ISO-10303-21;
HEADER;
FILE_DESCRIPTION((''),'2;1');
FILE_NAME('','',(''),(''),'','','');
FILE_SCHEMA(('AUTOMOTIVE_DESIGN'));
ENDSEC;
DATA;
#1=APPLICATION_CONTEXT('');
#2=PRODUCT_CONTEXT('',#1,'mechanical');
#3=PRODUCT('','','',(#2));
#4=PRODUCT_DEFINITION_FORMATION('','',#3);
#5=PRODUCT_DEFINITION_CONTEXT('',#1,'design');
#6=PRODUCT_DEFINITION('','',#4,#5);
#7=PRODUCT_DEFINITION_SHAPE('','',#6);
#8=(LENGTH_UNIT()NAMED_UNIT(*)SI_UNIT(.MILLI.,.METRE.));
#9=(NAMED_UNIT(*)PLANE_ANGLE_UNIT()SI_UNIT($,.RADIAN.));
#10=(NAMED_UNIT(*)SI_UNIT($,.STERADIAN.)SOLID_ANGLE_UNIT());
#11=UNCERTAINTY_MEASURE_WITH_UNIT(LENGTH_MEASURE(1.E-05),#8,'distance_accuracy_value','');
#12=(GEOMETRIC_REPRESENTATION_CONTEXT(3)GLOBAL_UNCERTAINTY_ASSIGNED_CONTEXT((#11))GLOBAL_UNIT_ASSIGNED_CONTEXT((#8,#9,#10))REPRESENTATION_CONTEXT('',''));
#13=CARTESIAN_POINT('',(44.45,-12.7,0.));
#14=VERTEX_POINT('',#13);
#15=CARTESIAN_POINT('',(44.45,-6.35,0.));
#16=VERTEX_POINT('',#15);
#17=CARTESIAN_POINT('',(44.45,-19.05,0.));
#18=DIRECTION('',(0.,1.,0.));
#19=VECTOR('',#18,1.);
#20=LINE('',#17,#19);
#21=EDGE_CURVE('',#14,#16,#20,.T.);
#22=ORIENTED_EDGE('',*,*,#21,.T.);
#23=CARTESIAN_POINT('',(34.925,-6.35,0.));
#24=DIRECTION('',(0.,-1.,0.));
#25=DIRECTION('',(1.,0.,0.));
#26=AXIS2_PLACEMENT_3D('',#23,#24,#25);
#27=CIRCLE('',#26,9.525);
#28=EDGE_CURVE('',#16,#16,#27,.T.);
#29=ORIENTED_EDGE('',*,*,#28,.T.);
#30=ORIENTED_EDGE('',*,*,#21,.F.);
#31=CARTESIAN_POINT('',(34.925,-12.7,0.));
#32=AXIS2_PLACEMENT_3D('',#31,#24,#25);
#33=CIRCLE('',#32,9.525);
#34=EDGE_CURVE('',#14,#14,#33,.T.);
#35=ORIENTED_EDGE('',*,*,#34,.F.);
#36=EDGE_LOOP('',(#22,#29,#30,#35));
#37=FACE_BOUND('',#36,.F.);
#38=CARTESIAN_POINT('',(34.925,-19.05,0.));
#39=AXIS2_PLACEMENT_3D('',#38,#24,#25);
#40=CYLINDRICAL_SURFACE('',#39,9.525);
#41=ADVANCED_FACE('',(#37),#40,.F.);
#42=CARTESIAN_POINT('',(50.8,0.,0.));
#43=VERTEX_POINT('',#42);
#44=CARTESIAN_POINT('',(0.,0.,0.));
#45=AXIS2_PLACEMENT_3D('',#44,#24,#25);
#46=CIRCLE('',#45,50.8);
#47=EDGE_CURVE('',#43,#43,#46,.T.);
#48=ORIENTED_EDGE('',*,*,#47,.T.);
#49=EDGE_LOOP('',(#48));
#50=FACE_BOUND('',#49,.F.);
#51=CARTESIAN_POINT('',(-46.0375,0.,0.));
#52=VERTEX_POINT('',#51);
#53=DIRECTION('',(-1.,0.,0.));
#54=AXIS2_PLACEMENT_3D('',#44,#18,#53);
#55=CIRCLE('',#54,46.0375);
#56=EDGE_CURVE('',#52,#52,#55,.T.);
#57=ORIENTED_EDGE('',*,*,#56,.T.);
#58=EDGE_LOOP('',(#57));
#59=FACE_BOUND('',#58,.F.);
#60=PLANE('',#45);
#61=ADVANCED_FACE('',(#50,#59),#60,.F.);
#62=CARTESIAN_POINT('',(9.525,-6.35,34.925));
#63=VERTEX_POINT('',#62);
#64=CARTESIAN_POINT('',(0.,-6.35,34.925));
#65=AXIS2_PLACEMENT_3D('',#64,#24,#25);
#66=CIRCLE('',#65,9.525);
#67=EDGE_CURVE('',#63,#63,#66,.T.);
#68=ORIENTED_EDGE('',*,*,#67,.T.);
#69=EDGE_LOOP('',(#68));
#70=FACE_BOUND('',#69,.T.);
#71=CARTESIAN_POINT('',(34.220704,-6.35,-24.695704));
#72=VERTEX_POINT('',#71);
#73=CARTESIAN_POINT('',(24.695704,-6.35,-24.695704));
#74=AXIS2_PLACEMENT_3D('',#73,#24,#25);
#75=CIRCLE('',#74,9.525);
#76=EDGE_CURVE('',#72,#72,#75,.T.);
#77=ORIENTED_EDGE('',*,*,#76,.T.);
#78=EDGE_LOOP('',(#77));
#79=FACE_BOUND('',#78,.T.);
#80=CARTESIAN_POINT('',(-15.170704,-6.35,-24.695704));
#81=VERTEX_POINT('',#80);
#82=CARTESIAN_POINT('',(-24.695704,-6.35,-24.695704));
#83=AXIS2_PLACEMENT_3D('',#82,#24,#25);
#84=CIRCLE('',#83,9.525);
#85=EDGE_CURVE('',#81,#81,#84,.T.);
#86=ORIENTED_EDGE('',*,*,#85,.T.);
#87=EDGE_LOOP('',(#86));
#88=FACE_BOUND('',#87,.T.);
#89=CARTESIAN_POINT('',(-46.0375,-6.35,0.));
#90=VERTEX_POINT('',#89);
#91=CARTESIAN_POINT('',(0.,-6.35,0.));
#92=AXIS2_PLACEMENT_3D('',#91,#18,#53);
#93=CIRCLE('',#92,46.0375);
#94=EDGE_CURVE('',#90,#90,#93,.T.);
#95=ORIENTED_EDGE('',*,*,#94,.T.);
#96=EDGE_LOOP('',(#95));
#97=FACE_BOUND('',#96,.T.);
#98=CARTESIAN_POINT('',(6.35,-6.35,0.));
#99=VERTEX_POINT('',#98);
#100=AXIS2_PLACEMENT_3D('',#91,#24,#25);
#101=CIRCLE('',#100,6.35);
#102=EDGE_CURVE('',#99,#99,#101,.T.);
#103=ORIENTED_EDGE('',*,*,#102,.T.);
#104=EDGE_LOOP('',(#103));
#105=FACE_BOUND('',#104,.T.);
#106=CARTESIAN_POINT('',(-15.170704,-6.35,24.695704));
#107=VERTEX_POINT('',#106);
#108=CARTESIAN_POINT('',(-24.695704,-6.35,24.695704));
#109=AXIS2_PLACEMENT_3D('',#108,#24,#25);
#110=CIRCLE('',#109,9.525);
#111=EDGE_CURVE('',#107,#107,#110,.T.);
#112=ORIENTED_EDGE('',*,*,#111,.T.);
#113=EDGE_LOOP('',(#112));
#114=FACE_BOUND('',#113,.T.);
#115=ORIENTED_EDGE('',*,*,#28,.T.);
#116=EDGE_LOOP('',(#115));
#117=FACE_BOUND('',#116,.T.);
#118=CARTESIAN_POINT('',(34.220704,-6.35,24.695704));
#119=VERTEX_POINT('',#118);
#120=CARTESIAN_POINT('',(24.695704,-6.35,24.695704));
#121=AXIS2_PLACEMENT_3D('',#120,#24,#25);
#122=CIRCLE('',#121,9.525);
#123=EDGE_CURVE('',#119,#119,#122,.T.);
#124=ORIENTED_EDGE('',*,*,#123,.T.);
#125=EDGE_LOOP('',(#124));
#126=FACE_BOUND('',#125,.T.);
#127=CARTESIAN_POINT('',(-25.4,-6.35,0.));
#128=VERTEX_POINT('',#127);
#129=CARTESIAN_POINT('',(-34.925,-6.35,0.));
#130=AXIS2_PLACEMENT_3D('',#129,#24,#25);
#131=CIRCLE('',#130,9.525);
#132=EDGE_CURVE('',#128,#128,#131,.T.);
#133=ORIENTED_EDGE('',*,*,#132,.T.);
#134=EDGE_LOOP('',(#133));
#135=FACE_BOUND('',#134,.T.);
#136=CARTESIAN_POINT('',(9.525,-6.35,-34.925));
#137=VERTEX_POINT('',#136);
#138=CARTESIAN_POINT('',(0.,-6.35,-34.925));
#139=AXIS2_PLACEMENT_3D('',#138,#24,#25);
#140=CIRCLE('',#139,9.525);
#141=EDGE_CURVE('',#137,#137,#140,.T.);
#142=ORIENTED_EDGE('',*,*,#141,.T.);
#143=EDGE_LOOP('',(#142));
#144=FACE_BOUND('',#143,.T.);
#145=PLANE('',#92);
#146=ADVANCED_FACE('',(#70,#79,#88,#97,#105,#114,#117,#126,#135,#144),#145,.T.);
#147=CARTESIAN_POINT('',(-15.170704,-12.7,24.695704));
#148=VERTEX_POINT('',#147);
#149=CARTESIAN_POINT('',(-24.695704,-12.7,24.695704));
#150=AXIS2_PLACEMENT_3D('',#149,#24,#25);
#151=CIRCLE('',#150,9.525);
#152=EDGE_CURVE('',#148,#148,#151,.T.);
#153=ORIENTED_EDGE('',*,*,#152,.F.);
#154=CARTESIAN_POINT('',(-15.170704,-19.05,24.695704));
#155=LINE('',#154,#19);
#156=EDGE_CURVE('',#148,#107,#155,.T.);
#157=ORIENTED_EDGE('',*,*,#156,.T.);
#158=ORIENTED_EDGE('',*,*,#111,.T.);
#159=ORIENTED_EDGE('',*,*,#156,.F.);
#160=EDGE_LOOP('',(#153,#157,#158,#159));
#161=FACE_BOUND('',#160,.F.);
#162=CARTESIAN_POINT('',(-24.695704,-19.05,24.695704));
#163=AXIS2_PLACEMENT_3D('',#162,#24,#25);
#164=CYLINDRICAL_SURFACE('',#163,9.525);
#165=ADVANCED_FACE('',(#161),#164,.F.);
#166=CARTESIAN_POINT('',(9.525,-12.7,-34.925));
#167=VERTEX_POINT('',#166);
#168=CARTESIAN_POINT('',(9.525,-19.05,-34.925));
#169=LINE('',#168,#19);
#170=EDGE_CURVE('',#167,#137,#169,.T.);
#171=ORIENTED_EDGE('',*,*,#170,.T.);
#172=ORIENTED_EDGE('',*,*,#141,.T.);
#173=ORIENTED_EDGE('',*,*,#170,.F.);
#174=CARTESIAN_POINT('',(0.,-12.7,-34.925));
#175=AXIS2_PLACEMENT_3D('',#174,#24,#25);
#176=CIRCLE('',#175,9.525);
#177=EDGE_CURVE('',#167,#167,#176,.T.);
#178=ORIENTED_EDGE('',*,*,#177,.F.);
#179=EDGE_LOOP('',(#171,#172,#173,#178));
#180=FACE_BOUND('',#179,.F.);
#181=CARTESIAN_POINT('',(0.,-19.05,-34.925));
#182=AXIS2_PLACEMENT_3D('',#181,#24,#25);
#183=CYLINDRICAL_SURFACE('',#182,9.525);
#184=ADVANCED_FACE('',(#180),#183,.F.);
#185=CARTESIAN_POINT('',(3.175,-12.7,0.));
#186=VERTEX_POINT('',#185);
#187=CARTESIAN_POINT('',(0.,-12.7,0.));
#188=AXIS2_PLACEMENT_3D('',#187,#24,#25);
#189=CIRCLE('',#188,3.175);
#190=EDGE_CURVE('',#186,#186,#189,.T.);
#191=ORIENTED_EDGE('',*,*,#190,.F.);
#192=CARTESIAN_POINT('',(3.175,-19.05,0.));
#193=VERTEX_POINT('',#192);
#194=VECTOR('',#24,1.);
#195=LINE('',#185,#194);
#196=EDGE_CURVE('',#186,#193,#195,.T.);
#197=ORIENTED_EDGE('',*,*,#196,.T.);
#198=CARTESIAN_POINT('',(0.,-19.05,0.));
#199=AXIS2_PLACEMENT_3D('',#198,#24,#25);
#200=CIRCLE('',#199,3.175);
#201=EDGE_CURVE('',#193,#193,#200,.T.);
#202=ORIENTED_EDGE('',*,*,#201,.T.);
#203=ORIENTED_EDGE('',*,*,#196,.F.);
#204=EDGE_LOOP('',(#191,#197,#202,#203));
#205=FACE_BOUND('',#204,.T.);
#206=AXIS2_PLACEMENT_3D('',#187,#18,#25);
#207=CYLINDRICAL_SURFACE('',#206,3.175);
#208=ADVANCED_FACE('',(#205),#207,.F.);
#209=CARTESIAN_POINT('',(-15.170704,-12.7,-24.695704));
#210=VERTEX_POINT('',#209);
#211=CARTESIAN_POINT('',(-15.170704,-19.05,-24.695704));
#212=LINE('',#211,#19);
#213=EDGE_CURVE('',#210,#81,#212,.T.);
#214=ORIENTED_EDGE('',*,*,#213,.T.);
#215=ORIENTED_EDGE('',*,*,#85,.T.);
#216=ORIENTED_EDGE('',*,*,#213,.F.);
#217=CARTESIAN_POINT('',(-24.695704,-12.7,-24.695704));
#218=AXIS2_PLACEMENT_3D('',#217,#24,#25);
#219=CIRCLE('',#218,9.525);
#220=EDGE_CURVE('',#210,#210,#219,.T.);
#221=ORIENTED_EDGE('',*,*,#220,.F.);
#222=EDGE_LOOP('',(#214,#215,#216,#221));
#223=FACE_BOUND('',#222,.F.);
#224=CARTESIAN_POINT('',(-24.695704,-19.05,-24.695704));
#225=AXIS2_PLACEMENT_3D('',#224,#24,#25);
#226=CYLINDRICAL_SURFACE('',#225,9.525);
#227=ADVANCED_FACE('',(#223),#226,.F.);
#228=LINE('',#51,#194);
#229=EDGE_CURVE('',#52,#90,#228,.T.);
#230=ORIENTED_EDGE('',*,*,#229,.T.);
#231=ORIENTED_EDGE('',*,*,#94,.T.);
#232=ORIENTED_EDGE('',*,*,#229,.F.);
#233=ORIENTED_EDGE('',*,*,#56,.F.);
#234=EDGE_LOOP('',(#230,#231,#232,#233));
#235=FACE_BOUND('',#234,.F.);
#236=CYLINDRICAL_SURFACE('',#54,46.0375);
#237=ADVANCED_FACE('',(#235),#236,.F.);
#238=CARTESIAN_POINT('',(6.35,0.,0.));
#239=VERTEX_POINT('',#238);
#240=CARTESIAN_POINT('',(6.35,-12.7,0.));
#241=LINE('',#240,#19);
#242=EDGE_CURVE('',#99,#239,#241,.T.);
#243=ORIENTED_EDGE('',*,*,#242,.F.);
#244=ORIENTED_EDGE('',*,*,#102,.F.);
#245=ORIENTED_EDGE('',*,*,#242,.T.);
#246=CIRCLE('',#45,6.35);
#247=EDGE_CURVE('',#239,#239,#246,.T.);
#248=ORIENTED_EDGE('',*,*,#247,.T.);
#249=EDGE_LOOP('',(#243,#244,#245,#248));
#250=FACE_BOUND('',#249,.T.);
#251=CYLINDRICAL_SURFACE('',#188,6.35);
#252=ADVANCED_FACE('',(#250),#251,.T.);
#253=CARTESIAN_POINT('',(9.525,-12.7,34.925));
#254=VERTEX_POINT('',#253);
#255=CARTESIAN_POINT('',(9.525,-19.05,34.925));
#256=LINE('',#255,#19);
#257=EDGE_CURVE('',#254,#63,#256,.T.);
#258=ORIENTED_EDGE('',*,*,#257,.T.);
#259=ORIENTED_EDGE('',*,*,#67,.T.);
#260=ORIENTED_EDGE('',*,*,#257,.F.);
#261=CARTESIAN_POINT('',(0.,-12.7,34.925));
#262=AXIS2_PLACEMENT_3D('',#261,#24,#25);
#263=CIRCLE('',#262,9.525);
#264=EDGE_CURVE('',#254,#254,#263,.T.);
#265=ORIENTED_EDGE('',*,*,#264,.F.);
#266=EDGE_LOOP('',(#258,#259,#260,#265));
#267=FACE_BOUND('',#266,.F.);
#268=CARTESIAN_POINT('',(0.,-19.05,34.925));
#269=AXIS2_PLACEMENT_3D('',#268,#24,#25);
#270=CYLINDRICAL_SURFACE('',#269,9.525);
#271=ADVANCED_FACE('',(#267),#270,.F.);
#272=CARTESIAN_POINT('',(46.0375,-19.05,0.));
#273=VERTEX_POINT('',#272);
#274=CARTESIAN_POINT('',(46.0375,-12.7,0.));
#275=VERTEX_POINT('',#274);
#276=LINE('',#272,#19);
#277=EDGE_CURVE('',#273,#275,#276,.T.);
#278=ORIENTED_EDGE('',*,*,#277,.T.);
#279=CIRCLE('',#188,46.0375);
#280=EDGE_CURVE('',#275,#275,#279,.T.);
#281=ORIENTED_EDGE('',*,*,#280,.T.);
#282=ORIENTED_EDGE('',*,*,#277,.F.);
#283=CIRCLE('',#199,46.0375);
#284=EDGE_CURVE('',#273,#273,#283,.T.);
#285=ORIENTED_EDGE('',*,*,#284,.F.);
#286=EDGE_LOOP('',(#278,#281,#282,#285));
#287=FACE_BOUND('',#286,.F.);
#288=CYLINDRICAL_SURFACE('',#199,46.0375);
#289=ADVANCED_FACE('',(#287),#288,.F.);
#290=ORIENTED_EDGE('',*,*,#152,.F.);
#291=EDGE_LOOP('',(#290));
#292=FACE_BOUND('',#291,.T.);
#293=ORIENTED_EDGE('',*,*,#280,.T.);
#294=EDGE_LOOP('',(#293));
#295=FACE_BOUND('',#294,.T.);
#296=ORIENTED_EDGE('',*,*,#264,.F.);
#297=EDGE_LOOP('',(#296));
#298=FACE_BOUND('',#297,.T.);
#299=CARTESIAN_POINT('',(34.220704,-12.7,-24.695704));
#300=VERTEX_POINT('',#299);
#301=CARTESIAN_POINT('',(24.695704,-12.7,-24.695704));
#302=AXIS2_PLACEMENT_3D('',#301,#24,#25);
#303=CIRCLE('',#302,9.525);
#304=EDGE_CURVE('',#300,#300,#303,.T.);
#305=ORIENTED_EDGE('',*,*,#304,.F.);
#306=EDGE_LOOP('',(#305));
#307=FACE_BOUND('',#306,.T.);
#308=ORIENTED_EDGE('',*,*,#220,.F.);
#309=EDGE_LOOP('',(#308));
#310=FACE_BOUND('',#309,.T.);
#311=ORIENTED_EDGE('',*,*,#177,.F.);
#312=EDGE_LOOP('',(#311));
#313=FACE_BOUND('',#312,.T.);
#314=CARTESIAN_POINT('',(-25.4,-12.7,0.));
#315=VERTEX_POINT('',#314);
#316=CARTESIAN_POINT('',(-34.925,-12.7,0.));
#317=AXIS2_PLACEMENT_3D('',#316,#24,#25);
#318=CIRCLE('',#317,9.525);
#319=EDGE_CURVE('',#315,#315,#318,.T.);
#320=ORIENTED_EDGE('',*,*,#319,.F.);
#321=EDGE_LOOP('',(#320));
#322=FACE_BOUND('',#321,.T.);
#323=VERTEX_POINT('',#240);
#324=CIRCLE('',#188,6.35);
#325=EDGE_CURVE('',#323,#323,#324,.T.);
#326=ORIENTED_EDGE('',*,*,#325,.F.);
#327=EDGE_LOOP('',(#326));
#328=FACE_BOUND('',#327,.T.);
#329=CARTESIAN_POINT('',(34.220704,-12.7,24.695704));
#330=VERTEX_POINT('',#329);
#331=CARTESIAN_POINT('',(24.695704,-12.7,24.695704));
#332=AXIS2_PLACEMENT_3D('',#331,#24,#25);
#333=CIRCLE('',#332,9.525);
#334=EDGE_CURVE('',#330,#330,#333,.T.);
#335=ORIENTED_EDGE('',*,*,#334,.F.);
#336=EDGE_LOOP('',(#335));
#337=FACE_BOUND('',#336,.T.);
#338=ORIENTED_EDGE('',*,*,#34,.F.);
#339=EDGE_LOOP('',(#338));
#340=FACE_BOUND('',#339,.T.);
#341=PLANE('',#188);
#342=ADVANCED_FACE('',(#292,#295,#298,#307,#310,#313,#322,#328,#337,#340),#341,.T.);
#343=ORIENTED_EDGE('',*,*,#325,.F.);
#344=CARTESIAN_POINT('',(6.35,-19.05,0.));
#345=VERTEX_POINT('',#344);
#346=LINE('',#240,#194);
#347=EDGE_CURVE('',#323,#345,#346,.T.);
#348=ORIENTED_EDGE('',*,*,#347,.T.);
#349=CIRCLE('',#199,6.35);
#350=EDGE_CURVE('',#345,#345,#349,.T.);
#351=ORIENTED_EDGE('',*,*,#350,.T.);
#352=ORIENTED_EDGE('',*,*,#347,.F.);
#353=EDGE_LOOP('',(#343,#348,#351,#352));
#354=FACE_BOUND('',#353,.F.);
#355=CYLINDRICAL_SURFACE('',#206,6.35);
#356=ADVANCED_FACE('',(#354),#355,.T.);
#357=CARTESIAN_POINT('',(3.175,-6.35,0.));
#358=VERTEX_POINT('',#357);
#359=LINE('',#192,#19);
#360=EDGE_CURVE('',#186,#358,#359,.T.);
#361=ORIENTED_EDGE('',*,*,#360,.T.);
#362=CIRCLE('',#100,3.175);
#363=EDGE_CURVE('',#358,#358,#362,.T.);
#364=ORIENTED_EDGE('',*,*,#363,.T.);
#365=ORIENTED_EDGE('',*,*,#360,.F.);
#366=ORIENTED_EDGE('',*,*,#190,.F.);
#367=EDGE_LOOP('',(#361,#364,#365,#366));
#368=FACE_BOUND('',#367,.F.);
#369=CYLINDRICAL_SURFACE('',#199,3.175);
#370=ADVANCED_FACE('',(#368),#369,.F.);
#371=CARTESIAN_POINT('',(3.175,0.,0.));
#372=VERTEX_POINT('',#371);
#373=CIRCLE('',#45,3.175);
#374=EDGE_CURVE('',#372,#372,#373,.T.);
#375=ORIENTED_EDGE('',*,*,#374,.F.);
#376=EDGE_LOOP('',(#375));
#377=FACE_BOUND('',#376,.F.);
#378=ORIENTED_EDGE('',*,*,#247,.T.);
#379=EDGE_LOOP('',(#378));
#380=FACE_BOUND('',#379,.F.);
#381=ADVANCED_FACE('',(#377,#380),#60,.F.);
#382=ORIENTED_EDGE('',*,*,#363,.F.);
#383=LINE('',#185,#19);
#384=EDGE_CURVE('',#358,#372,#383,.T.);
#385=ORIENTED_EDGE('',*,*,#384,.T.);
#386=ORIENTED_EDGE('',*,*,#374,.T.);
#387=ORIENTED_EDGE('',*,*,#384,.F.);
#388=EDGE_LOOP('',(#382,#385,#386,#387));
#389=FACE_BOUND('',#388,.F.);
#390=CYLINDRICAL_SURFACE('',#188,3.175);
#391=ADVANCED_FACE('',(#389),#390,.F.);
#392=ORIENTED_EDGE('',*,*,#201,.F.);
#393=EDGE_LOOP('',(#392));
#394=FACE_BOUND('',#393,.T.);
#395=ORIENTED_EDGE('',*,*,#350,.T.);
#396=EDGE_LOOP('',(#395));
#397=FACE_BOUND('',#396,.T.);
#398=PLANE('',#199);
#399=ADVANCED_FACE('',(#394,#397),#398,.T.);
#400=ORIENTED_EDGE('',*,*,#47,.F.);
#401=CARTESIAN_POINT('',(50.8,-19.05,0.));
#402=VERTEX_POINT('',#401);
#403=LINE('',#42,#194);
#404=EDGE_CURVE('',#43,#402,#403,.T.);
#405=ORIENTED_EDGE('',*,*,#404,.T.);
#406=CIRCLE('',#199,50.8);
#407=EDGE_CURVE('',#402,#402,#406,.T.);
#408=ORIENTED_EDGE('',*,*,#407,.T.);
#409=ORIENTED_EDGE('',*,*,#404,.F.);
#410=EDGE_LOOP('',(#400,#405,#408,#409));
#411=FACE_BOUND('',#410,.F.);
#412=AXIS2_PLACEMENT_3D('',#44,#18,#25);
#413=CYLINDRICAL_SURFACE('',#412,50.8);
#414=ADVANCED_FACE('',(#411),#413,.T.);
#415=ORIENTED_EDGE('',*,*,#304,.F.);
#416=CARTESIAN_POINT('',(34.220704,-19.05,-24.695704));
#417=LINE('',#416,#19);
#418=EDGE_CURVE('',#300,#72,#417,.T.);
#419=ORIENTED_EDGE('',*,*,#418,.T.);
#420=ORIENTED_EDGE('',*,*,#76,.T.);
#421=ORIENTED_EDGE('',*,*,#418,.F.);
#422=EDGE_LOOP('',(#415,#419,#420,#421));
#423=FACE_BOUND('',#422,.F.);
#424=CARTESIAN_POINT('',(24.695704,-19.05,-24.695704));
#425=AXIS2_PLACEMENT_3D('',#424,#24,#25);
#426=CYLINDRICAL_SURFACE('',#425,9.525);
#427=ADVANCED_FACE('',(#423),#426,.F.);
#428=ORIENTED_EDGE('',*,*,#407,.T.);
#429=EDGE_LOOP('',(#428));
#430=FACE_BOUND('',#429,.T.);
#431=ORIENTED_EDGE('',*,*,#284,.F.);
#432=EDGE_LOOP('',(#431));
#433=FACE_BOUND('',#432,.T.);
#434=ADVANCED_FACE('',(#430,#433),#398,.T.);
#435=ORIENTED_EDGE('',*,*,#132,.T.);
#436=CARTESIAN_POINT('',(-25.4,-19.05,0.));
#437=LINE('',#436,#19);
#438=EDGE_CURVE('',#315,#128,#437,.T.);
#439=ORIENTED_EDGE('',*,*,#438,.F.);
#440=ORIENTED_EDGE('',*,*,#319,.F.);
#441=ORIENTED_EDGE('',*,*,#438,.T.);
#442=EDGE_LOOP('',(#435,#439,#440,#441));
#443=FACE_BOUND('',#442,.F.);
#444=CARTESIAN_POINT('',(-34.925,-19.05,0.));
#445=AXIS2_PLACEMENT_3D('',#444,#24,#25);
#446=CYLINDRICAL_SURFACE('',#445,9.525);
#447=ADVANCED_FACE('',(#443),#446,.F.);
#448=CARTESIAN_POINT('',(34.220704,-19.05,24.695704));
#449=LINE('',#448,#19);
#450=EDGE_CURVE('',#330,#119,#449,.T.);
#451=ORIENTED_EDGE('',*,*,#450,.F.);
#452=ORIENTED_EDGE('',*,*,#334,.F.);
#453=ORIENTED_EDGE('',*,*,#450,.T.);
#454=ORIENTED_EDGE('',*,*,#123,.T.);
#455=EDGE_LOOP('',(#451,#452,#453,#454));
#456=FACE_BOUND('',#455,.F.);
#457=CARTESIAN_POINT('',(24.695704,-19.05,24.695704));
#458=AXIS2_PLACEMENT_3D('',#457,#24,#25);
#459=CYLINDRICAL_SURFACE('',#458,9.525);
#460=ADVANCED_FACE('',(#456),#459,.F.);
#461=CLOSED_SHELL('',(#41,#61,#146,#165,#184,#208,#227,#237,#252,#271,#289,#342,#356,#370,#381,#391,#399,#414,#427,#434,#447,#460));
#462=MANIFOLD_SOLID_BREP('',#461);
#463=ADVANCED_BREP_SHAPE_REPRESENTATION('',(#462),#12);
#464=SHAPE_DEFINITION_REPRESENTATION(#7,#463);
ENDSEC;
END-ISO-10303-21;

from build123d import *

# Parameters (mm, degrees)
F0_R           = 50.8
F1_DEPTH       = 19.05
F2_R           = 3.175
F3_DEPTH       = 19.051
F4_R           = 9.525
F5_DEPTH       = 19.051
F6_R           = 46.0375
F6_R_2         = 9.525
F6_R_3         = 3.175
F7_DEPTH       = 6.35
F8_R           = 46.0375
F8_R_2         = 9.525
F8_R_3         = 3.175
F9_DEPTH       = 6.35
F10_R          = 6.35
F10_R_2        = 3.175
F11_DEPTH      = 6.35
F11_DEPTH_BACK = 12.7


with BuildPart() as f1:
    # F0 (on Front) → F1 (new body)
    with BuildSketch(Plane.XZ):
        Circle(F0_R)
    extrude(amount=F1_DEPTH)

    # F2 (on face) → F3 (cut, through all)
    with BuildSketch(Plane.XZ.offset(19.05)):
        Circle(F2_R)
    extrude(amount=-F3_DEPTH, mode=Mode.SUBTRACT)

    # F4 (on face) → F5 (cut, through all)
    with BuildSketch(Plane.XZ.offset(19.05)):
        with Locations((-24.6957043329, 24.6957043329)):
            Circle(F4_R)
        with Locations((0, 34.925)):
            Circle(F4_R)
        with Locations((24.6957043329, -24.6957043329)):
            Circle(F4_R)
        with Locations((0, -34.925)):
            Circle(F4_R)
        with Locations((-24.6957043329, -24.6957043329)):
            Circle(F4_R)
        with Locations((-34.925, 0)):
            Circle(F4_R)
        with Locations((24.6957043329, 24.6957043329)):
            Circle(F4_R)
        with Locations((34.925, 0)):
            Circle(F4_R)
    extrude(amount=-F5_DEPTH, mode=Mode.SUBTRACT)

    # F6 (on face) → F7 (cut)
    with BuildSketch(Plane.XZ.offset(19.05)):
        Circle(F6_R)
        with Locations((0, -34.925)):
            Circle(F6_R_2, mode=Mode.SUBTRACT)
        with Locations((-34.925, 0)):
            Circle(F6_R_2, mode=Mode.SUBTRACT)
        with Locations((-24.6957043329, -24.6957043329)):
            Circle(F6_R_2, mode=Mode.SUBTRACT)
        Circle(F6_R_3, mode=Mode.SUBTRACT)
        with Locations((24.6957043329, -24.6957043329)):
            Circle(F6_R_2, mode=Mode.SUBTRACT)
        with Locations((34.925, 0)):
            Circle(F6_R_2, mode=Mode.SUBTRACT)
        with Locations((-24.6957043329, 24.6957043329)):
            Circle(F6_R_2, mode=Mode.SUBTRACT)
        with Locations((0, 34.925)):
            Circle(F6_R_2, mode=Mode.SUBTRACT)
        with Locations((24.6957043329, 24.6957043329)):
            Circle(F6_R_2, mode=Mode.SUBTRACT)
    extrude(amount=-F7_DEPTH, mode=Mode.SUBTRACT)

    # F8 (on face) → F9 (cut)
    with BuildSketch(Plane(origin=(0, 0, 0), x_dir=(-1, 0, 0), z_dir=(0, 1, 0))):
        Circle(F8_R)
        with Locations((0, -34.925)):
            Circle(F8_R_2, mode=Mode.SUBTRACT)
        with Locations((-34.925, 0)):
            Circle(F8_R_2, mode=Mode.SUBTRACT)
        with Locations((-24.6957043329, -24.6957043329)):
            Circle(F8_R_2, mode=Mode.SUBTRACT)
        Circle(F8_R_3, mode=Mode.SUBTRACT)
        with Locations((24.6957043329, -24.6957043329)):
            Circle(F8_R_2, mode=Mode.SUBTRACT)
        with Locations((34.925, 0)):
            Circle(F8_R_2, mode=Mode.SUBTRACT)
        with Locations((-24.6957043329, 24.6957043329)):
            Circle(F8_R_2, mode=Mode.SUBTRACT)
        with Locations((0, 34.925)):
            Circle(F8_R_2, mode=Mode.SUBTRACT)
        with Locations((24.6957043329, 24.6957043329)):
            Circle(F8_R_2, mode=Mode.SUBTRACT)
    extrude(amount=-F9_DEPTH, mode=Mode.SUBTRACT)

    # F10 (on face) → F11 (join, two sides)
    with BuildSketch(Plane.XZ.offset(12.7)) as f11_sk:
        Circle(F10_R)
        Circle(F10_R_2, mode=Mode.SUBTRACT)
    extrude(amount=F11_DEPTH)
    extrude(f11_sk.sketch, amount=-F11_DEPTH_BACK)


solid = f1.part
